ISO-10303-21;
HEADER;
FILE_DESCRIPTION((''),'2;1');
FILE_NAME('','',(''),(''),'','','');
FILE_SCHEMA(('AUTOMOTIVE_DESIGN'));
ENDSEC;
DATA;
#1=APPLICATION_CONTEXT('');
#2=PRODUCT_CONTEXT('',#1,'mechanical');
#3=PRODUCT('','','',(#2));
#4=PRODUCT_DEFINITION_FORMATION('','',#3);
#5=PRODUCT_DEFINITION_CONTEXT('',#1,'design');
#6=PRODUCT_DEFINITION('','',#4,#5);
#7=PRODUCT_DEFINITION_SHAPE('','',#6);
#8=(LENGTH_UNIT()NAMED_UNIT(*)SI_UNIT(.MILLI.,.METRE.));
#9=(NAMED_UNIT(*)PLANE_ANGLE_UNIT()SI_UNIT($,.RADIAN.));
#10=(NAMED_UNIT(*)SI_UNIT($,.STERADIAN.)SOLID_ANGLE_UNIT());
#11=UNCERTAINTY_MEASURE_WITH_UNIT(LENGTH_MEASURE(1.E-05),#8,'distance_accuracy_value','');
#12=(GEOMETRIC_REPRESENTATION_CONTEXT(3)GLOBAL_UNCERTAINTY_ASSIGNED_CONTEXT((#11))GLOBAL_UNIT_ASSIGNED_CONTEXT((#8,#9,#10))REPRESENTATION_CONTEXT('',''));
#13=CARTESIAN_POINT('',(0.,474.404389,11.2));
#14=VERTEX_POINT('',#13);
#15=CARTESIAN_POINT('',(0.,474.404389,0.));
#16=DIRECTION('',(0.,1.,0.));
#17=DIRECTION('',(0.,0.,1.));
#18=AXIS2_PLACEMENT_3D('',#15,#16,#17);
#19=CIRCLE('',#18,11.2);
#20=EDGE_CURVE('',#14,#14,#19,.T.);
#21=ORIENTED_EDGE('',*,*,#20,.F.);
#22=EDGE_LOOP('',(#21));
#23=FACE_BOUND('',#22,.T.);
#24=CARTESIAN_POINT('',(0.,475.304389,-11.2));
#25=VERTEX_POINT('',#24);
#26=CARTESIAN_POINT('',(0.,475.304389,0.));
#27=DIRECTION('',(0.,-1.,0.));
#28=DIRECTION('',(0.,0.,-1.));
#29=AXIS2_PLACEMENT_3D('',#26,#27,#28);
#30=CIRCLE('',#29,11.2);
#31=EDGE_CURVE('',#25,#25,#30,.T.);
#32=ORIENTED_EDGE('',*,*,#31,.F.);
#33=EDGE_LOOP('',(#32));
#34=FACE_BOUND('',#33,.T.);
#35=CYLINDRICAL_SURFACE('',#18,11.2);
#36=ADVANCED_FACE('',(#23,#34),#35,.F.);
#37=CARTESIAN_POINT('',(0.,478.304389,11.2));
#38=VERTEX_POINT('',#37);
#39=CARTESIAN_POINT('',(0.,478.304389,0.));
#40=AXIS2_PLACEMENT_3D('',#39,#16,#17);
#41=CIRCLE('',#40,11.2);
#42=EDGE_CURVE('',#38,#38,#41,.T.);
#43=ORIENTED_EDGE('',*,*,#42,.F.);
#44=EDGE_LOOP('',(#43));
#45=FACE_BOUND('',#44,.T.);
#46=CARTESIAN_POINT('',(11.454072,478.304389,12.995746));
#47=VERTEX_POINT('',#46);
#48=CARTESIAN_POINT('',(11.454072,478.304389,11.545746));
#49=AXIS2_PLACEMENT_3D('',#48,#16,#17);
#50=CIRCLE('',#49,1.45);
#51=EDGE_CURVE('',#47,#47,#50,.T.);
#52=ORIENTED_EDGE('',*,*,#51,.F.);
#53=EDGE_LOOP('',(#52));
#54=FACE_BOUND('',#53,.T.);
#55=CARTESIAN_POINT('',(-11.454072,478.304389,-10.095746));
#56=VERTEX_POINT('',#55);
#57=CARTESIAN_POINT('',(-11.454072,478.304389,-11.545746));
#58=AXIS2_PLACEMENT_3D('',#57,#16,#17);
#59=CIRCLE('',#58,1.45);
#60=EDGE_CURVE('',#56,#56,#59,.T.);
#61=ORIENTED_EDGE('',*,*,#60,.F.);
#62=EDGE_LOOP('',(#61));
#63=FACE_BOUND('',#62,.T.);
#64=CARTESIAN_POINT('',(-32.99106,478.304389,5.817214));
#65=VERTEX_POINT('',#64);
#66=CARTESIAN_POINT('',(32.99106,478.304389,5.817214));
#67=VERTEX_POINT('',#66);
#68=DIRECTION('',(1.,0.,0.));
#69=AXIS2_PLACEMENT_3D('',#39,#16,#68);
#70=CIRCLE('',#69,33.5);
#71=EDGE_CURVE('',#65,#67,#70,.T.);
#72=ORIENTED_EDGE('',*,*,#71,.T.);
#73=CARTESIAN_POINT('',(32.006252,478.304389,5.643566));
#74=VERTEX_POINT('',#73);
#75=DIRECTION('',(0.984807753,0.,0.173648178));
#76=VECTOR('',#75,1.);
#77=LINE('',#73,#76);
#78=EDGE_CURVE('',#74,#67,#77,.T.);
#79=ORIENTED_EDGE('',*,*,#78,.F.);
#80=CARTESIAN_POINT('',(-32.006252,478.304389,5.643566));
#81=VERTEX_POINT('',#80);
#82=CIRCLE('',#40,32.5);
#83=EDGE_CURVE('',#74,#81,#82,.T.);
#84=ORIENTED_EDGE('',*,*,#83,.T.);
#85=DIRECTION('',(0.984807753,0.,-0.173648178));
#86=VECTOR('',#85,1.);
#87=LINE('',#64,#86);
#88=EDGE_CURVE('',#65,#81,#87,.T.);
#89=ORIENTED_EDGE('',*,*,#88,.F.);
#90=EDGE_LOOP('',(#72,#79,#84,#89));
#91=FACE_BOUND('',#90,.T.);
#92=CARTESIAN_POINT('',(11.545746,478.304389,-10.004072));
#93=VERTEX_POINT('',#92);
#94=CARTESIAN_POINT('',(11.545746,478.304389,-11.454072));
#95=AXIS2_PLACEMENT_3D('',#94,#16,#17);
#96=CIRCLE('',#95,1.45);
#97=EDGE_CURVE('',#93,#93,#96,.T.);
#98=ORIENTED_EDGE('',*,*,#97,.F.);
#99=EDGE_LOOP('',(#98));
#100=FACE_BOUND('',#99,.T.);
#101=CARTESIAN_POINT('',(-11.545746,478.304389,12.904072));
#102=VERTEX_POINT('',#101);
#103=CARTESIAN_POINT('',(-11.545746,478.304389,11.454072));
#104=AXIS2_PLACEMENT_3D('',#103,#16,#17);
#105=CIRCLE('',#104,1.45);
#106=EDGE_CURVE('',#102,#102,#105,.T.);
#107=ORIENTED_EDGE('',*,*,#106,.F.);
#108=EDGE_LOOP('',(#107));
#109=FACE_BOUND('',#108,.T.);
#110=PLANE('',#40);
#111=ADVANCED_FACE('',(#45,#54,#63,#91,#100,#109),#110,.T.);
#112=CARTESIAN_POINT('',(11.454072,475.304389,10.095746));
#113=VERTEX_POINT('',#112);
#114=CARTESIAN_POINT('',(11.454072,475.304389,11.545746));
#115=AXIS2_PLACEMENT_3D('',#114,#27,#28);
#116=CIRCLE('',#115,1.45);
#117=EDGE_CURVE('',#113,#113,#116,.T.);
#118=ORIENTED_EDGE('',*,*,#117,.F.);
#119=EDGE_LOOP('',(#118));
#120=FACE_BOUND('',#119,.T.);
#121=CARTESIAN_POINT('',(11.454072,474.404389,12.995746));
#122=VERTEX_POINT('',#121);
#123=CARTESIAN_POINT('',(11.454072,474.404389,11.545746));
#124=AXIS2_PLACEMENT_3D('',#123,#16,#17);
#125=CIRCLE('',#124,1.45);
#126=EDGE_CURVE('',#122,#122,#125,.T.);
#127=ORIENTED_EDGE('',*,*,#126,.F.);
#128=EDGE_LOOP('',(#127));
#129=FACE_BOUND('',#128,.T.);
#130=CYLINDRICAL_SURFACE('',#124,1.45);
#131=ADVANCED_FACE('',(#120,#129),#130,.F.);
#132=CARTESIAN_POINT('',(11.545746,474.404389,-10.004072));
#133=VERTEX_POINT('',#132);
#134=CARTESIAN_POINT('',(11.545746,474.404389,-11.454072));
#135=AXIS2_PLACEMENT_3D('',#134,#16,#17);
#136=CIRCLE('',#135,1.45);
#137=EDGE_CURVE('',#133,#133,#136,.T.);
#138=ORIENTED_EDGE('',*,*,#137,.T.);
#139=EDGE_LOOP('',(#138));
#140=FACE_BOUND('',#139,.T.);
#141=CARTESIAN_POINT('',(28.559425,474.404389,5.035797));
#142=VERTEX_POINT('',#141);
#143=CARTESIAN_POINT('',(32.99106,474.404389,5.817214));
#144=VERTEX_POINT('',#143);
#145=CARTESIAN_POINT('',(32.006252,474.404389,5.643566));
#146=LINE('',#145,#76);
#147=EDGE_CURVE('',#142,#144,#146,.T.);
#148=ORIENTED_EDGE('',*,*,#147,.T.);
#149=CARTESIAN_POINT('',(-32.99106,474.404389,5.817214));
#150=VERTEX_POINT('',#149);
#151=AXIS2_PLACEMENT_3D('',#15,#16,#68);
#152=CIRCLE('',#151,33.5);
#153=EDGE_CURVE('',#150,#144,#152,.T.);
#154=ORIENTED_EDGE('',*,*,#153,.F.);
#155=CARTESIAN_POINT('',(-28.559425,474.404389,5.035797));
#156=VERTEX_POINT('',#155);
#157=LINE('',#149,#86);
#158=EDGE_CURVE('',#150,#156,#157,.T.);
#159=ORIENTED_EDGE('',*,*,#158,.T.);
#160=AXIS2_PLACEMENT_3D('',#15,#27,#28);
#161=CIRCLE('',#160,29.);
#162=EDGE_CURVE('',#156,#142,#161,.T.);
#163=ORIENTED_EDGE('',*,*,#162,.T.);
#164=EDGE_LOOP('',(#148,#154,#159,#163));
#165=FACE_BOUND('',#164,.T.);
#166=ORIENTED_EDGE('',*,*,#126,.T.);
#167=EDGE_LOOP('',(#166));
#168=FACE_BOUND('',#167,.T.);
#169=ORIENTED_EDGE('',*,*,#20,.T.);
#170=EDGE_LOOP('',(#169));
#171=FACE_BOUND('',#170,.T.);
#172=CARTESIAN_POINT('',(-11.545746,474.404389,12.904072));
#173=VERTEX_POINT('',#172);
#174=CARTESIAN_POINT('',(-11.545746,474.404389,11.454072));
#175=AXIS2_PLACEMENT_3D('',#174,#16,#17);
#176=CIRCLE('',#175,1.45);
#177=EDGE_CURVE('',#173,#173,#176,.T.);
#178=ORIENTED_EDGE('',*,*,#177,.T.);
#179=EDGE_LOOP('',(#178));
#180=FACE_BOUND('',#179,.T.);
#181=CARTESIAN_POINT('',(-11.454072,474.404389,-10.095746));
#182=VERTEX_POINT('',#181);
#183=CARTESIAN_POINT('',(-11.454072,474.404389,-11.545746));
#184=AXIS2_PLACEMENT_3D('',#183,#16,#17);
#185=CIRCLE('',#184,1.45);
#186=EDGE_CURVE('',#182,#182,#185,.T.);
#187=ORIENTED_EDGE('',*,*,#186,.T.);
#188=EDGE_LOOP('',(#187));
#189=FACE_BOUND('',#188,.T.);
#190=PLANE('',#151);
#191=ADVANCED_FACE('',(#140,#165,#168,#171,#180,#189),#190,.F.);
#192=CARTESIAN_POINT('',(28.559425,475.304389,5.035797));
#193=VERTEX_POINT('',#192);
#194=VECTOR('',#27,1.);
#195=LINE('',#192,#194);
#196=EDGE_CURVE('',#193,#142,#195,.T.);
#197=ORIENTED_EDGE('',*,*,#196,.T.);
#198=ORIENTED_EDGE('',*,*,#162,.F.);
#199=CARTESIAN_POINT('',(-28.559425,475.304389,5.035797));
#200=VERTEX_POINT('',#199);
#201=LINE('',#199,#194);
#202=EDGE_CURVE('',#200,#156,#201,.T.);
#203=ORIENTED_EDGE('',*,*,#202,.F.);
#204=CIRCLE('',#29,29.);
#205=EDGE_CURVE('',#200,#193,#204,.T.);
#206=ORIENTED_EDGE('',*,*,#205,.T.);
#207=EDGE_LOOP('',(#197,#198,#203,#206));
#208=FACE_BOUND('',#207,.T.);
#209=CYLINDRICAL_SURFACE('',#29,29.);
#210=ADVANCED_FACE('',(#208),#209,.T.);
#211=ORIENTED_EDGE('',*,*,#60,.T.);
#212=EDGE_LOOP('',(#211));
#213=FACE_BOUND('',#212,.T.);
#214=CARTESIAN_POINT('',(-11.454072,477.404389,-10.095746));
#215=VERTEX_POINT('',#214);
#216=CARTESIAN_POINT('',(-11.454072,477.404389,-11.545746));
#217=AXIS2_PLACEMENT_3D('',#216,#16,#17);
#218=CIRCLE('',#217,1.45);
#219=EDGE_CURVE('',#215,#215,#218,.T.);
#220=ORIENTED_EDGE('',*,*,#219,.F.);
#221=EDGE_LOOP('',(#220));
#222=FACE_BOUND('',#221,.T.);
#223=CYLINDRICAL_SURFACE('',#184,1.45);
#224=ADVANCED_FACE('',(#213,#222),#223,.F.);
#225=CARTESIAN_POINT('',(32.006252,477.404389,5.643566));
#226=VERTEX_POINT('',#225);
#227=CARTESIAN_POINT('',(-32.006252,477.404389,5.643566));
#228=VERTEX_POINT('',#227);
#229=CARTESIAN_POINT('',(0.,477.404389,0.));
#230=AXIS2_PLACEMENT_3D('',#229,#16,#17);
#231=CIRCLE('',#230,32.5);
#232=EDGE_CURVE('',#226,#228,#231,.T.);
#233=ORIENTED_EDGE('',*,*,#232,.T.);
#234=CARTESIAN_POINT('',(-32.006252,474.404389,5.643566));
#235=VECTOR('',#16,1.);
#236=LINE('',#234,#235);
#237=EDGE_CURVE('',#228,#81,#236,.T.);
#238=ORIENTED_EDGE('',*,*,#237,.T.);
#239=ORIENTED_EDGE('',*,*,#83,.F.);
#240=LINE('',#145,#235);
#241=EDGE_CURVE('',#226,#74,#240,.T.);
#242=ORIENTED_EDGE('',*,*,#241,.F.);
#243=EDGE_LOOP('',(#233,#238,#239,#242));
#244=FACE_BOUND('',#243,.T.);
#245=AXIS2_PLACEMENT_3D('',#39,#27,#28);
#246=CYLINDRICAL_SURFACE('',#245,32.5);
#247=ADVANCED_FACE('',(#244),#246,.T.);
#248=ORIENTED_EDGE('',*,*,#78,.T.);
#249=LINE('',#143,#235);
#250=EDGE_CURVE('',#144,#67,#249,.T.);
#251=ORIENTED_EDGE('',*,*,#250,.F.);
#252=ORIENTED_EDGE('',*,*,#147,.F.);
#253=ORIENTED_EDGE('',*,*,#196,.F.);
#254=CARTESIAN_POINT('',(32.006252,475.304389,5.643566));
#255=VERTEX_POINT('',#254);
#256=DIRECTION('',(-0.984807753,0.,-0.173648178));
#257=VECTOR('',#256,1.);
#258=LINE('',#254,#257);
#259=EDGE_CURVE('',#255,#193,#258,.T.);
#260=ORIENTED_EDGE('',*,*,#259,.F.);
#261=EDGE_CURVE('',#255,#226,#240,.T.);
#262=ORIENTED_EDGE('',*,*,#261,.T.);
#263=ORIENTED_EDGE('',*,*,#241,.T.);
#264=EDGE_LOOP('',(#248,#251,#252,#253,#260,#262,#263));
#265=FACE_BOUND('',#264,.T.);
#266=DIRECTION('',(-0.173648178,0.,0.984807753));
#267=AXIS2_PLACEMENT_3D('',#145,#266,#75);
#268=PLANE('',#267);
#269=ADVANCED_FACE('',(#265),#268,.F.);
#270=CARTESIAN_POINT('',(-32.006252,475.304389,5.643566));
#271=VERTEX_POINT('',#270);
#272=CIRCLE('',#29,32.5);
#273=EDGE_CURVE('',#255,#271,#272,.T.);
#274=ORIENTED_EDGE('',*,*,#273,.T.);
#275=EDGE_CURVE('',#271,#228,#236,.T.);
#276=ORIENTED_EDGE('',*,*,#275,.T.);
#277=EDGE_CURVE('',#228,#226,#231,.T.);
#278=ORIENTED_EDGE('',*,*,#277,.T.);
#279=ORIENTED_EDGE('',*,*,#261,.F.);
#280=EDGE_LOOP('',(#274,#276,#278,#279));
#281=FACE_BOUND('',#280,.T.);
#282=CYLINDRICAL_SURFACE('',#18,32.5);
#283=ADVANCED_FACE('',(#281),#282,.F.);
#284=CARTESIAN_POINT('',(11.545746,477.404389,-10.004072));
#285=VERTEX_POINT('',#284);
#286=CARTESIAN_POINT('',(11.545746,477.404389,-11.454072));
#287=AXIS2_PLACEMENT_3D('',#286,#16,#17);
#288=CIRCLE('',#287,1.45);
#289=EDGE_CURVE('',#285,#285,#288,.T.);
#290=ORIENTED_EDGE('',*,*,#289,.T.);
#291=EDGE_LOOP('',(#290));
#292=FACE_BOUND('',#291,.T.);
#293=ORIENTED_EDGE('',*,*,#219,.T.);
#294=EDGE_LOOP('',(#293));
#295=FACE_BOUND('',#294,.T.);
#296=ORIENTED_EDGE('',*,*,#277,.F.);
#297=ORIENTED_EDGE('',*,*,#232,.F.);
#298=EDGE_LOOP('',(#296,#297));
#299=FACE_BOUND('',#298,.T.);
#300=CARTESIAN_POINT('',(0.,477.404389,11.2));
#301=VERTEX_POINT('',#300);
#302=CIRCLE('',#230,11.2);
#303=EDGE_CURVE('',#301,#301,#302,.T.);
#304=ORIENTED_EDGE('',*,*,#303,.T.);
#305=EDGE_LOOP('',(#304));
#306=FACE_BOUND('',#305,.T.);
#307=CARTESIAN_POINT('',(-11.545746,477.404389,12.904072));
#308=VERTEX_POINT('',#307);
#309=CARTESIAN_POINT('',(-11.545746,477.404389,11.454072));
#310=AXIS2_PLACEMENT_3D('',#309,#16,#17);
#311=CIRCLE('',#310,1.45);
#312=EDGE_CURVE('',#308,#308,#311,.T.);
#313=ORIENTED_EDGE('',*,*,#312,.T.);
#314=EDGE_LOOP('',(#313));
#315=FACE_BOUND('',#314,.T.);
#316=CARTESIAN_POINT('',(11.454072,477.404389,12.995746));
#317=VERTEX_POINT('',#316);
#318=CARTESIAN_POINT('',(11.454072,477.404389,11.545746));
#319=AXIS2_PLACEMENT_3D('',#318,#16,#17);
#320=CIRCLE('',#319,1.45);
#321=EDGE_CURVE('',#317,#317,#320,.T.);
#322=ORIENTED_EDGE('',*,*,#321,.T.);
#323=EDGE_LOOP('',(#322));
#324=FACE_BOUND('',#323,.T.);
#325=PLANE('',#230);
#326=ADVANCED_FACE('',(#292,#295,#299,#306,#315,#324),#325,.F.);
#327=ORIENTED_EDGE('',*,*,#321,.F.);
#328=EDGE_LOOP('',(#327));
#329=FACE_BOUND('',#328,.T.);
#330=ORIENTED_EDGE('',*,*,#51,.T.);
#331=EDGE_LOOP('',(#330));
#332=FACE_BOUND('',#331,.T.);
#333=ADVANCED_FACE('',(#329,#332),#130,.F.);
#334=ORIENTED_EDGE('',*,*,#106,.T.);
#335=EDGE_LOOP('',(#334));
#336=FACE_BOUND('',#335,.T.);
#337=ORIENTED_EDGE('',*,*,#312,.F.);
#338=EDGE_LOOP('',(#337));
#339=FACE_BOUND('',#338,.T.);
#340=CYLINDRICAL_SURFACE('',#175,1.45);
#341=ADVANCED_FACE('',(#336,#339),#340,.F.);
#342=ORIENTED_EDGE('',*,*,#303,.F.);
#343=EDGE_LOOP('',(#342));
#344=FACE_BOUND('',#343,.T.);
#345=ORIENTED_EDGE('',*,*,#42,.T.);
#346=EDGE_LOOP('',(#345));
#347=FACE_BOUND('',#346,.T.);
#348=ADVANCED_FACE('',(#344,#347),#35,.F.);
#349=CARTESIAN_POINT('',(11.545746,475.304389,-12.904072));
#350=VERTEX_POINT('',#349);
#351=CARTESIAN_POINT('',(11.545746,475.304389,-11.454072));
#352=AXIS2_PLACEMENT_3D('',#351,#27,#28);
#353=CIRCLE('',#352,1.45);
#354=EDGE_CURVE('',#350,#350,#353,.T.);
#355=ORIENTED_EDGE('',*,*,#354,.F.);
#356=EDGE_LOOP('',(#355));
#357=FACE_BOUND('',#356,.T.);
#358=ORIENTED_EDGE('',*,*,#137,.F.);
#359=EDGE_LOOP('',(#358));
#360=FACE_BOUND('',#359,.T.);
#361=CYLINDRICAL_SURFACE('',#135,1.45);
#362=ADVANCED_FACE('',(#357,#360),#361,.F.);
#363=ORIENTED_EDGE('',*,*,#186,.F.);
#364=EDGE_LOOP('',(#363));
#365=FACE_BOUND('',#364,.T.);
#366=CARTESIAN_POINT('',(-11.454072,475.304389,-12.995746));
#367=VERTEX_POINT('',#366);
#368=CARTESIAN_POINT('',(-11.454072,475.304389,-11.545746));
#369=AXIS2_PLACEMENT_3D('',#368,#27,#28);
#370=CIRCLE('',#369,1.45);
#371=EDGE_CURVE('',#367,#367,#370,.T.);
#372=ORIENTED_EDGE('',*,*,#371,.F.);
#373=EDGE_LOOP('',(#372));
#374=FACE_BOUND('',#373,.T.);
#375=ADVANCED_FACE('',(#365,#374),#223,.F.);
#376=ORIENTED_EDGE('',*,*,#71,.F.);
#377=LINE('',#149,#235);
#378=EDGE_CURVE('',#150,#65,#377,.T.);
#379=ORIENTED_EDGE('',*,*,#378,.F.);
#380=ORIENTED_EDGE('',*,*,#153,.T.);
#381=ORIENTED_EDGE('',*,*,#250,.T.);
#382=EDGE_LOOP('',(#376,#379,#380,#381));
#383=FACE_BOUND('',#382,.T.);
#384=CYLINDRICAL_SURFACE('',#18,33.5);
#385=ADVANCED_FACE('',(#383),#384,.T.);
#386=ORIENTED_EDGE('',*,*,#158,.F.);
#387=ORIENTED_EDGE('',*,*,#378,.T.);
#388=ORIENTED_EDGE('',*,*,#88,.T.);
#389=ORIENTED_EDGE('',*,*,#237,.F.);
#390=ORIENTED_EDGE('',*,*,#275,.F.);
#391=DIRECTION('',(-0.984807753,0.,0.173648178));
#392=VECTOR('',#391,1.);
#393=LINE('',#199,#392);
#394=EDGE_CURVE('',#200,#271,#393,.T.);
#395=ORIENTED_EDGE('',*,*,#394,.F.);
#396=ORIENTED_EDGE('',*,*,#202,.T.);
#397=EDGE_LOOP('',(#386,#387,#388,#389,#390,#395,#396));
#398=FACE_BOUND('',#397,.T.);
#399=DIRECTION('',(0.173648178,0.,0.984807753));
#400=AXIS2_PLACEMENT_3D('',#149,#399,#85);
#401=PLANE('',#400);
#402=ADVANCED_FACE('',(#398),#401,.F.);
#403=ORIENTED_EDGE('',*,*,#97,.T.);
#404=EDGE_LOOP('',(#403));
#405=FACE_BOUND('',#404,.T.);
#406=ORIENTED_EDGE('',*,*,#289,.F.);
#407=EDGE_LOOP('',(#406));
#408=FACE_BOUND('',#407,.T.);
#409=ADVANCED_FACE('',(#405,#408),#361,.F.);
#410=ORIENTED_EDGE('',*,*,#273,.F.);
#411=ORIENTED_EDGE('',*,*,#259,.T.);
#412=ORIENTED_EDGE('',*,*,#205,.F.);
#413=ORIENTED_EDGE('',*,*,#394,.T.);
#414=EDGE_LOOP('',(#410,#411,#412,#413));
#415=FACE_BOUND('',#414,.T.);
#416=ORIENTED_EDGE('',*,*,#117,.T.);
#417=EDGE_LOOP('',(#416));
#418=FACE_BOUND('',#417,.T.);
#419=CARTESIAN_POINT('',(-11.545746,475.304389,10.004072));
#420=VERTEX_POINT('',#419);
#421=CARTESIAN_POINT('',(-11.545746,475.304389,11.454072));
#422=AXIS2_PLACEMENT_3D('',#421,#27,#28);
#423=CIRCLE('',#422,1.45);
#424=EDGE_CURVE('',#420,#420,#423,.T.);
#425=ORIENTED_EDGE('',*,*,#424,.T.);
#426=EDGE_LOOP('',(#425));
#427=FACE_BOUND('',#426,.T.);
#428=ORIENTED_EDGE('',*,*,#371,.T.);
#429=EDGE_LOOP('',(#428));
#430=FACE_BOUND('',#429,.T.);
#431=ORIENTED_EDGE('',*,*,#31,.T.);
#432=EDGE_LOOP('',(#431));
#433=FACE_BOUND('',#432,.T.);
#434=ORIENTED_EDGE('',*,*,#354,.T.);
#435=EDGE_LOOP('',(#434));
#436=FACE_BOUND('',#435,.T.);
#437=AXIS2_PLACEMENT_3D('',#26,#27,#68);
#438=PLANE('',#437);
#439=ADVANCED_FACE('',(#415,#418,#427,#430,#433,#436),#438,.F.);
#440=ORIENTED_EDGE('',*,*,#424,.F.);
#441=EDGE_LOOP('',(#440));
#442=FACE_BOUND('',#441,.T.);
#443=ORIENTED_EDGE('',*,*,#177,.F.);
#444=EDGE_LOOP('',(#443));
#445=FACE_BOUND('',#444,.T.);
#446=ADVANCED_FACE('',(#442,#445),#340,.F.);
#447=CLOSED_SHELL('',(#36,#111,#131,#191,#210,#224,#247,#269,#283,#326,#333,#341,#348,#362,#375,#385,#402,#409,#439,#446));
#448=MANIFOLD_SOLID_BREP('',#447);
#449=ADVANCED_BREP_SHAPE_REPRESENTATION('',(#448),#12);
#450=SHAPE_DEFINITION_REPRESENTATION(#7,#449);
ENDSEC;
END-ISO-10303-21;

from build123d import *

# Parameters (mm, degrees)
SKETCH_1_R          = 32.5
EXTRUDE_1_DEPTH     = 0.9
EXTRUDE_START       = -3.9
EXTRUDE_1_2_DEPTH   = 3.9
SKETCH_3_R          = 29
EXTRUDE_2_DEPTH     = 0.9
EXTRUDE_2_2_DEPTH   = 0.9
SKETCH_5_R          = 1.45
SKETCH_5_R_2        = 11.2
CUT_EXTRUDE_1_DEPTH = 3.9


with BuildPart() as part:
    # 草图1 → Extrude 1 (new body)
    with BuildSketch(Plane(origin=(0, 477.404389455, 0), x_dir=(1, 0, 0), z_dir=(0, 1, 0))):
        with Locations(Location((0, 0, 0), (0, 0, 270))):
            Circle(SKETCH_1_R)
    extrude(amount=EXTRUDE_1_DEPTH)

    # 草图2 → Extrude 1 2 (add)
    with BuildSketch(Plane(origin=(0, 478.304389455, 0), x_dir=(1, 0, 0), z_dir=(0, 1, 0)).offset(EXTRUDE_START)):
        with BuildLine():
            ThreePointArc((-32.006251973, -5.643565774), (0, -32.5), (32.006251973, -5.643565774))
            Line((32.006251973, -5.643565774), (32.991059726, -5.817213952))
            ThreePointArc((32.991059726, -5.817213952), (0, -33.5), (-32.991059726, -5.817213952))
            Line((-32.991059726, -5.817213952), (-32.006251973, -5.643565774))
        make_face()
    extrude(amount=EXTRUDE_1_2_DEPTH)



with BuildPart() as body_2:
    # 草图3 → Extrude 2 (new body)
    with BuildSketch(Plane.XZ.offset(-474.404389455)):
        with Locations(Location((0, 0, 0), (0, 0, 270))):
            Circle(SKETCH_3_R)
    extrude(amount=-EXTRUDE_2_DEPTH)


with BuildPart() as part_1:
    add(part.part)

    add(body_2.part)  # Extrude 2 2 merges body 2
    # 草图4 → Extrude 2 2 (add)
    with BuildSketch(Plane.XZ.offset(-474.404389455)):
        with BuildLine():
            ThreePointArc((32.006251973, 5.643565774), (0, 32.5), (-32.006251973, 5.643565774))
            Line((-32.006251973, 5.643565774), (-28.559424837, 5.035797152))
            ThreePointArc((-28.559424837, 5.035797152), (0, 29), (28.559424837, 5.035797152))
            Line((28.559424837, 5.035797152), (32.006251973, 5.643565774))
        make_face()
    extrude(amount=-EXTRUDE_2_2_DEPTH)

    # 草图5 → 切除-拉伸1 (cut)
    with BuildSketch(Plane(origin=(0, 478.304389455, 0), x_dir=(1, 0, 0), z_dir=(0, 1, 0))):
        with Locations(Location((11.545745571, 11.45407173, 0), (0, 0, 270))):
            Circle(SKETCH_5_R)
        with Locations(Location((11.45407173, -11.545745571, 0), (0, 0, 270))):
            Circle(SKETCH_5_R)
        with Locations(Location((-11.545745571, -11.45407173, 0), (0, 0, 270))):
            Circle(SKETCH_5_R)
        with Locations(Location((-11.45407173, 11.545745571, 0), (0, 0, 270))):
            Circle(SKETCH_5_R)
        with Locations(Location((0, 0, 0), (0, 0, 270))):
            Circle(SKETCH_5_R_2)
    extrude(amount=-CUT_EXTRUDE_1_DEPTH, mode=Mode.SUBTRACT)


solid = part_1.part
